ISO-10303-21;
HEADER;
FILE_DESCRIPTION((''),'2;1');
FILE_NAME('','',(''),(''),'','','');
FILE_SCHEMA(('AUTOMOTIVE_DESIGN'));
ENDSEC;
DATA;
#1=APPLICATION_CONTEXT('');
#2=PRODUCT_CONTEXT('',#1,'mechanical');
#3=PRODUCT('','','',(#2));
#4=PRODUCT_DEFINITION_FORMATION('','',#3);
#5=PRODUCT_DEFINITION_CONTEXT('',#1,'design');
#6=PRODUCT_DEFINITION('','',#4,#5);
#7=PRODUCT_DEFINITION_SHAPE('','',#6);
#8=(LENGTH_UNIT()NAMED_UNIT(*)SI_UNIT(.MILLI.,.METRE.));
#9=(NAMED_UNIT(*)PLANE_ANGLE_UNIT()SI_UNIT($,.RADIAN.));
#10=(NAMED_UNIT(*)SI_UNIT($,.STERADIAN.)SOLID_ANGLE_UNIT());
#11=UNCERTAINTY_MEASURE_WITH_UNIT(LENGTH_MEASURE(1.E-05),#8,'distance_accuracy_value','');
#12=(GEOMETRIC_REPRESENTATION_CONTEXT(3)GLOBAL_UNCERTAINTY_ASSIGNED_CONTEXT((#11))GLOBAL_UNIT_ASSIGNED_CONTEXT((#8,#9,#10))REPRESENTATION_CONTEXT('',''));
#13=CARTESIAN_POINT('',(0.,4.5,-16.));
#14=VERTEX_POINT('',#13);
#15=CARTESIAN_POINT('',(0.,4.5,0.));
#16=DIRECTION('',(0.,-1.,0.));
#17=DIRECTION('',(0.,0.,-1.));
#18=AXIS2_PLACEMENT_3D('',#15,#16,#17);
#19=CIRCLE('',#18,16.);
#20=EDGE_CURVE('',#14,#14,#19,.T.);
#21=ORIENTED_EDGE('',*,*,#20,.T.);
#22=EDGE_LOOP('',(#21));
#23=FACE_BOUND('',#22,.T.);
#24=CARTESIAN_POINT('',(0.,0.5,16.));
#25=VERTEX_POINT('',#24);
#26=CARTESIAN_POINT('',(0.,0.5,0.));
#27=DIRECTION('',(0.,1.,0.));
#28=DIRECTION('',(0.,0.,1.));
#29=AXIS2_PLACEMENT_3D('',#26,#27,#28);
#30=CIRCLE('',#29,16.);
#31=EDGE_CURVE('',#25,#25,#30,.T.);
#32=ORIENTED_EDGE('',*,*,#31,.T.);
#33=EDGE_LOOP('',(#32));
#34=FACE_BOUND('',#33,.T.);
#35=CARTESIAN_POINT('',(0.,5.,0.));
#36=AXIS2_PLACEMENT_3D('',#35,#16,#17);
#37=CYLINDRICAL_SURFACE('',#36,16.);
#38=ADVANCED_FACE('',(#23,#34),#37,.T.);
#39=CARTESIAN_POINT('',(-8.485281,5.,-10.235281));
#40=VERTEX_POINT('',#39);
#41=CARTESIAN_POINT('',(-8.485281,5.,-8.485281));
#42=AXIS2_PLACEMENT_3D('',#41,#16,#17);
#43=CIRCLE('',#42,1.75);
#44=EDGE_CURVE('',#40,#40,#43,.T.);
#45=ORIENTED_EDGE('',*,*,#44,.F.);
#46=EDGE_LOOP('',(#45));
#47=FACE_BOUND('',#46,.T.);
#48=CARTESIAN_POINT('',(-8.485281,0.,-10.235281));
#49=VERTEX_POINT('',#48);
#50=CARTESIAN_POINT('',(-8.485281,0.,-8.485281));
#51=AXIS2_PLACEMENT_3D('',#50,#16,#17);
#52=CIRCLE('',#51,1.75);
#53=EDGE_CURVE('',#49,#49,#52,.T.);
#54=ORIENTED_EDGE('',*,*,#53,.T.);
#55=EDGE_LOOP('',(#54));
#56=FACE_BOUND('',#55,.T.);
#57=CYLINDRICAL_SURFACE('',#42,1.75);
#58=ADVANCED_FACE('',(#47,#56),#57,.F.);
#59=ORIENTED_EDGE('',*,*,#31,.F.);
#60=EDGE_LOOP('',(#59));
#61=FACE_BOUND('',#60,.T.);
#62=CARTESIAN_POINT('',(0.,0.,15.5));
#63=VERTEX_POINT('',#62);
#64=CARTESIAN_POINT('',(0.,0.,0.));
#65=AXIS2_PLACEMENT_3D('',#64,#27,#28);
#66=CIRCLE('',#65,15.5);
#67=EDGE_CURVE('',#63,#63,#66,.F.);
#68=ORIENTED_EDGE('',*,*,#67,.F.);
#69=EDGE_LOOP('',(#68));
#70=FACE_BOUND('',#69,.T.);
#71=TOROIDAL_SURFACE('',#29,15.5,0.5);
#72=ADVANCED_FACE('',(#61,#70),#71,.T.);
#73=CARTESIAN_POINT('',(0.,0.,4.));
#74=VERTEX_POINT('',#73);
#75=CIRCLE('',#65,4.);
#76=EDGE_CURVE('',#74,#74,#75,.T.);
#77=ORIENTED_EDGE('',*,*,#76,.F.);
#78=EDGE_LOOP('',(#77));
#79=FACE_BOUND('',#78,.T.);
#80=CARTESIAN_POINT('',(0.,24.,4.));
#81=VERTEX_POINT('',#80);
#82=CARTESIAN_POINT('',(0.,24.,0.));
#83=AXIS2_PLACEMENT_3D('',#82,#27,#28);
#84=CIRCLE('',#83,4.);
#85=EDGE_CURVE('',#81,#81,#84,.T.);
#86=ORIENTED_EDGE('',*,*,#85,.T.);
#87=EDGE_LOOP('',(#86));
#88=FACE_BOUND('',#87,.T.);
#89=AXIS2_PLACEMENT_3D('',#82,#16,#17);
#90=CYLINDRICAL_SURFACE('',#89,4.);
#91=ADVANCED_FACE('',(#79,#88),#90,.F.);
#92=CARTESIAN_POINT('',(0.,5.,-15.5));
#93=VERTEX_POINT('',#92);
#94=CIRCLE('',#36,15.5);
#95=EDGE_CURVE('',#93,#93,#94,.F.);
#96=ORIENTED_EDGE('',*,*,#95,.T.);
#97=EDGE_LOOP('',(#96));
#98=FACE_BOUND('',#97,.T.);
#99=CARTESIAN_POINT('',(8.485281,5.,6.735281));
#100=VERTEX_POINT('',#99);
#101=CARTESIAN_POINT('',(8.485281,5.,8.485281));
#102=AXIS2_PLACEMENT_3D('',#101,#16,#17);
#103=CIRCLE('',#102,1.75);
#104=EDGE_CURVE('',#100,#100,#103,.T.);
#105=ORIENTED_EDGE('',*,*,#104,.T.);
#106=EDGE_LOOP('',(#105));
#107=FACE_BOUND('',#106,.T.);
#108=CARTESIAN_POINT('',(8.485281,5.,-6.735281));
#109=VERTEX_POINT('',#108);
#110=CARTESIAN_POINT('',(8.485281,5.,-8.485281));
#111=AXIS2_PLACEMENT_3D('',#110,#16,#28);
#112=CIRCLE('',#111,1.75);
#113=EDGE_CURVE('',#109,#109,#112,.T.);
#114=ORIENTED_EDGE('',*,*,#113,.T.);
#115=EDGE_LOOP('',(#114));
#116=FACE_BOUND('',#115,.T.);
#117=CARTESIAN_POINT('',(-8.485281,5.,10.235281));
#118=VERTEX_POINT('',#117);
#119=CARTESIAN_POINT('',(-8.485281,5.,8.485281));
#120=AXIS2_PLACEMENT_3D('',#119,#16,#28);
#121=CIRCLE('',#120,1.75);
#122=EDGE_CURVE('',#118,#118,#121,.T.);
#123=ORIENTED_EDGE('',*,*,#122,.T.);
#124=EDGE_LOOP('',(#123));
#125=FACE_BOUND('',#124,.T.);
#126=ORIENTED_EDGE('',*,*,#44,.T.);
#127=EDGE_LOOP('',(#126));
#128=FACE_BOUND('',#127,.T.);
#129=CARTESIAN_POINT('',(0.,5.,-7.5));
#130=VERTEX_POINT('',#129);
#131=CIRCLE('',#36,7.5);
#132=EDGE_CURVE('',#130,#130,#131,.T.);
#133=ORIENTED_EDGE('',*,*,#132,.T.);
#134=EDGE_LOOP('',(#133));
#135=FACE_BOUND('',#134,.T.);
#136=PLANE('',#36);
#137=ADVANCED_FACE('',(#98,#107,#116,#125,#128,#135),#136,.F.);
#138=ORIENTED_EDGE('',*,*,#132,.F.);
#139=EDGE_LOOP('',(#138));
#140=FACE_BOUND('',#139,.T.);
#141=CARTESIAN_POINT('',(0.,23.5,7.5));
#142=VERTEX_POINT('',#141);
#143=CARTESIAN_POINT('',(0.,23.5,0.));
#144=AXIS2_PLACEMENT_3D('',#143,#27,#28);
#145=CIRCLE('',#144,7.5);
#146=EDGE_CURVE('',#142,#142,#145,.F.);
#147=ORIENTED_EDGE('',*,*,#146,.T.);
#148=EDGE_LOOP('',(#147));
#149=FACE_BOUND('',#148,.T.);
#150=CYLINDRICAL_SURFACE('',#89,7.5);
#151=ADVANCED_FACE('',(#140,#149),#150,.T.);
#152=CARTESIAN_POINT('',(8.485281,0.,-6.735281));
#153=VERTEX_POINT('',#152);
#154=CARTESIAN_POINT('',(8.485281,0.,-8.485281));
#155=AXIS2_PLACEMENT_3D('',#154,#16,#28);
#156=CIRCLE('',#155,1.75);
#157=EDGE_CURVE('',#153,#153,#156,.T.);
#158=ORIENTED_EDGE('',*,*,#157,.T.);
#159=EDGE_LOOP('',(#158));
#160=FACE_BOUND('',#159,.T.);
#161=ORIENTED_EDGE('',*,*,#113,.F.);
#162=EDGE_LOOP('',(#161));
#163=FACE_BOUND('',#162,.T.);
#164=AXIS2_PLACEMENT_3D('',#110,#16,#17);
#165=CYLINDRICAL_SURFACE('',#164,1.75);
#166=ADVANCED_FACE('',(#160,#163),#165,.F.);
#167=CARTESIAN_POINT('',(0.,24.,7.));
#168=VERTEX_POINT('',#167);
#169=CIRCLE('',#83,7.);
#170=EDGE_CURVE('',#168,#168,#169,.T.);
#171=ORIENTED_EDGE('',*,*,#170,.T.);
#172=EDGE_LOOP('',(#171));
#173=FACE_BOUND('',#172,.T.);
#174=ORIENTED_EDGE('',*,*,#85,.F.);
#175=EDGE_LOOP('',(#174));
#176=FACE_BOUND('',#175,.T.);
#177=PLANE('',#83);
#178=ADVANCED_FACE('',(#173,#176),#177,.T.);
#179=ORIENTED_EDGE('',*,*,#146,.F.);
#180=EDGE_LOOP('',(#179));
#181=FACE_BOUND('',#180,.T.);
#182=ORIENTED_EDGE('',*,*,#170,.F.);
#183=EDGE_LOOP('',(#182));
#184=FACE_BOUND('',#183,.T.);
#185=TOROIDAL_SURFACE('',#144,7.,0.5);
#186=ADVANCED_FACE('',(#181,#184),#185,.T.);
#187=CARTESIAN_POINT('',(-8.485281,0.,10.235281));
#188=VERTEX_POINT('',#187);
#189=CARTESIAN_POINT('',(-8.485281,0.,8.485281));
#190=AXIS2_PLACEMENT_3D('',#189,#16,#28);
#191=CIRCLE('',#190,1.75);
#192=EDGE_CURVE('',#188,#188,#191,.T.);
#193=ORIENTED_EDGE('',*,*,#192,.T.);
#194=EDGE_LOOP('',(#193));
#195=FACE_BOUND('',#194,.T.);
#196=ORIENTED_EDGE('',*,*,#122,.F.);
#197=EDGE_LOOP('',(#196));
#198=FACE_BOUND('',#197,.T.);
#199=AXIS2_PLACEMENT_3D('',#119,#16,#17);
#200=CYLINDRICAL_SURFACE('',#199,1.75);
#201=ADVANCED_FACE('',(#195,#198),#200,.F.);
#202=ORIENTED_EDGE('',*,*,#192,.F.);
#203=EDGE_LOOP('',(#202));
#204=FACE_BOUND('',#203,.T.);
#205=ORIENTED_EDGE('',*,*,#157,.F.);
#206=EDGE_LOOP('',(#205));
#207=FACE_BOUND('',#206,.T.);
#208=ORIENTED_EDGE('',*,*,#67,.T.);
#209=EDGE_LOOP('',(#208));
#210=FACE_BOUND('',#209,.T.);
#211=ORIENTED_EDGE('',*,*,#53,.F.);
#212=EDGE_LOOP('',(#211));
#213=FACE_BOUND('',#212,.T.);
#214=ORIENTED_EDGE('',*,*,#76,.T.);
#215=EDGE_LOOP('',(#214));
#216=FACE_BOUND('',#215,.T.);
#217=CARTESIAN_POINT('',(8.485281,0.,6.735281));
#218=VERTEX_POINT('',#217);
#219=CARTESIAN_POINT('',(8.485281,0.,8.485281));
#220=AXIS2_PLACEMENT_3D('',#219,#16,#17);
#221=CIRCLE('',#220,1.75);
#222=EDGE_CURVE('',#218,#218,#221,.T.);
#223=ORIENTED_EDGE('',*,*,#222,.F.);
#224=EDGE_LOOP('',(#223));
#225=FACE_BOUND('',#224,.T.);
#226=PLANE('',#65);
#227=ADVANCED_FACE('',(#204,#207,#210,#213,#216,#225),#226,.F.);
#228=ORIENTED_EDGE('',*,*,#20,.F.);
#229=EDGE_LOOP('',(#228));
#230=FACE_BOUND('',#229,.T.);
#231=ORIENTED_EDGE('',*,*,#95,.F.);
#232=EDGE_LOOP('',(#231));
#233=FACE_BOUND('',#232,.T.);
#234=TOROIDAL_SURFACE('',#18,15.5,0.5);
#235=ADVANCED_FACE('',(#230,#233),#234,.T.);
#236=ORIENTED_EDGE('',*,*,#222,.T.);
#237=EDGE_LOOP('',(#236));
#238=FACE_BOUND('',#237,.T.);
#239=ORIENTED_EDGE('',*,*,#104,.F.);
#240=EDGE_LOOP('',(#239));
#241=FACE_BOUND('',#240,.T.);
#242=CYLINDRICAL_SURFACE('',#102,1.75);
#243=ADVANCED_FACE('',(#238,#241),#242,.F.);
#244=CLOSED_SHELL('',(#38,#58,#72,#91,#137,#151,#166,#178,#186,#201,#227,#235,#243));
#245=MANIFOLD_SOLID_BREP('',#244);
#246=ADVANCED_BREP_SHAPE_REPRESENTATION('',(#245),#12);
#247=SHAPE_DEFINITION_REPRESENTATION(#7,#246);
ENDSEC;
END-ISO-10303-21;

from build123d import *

# Parameters (mm, degrees)
SKETCH1_R           = 7.5
SKETCH1_R_2         = 4
BOSS_EXTRUDE1_DEPTH = 24
SKETCH2_R           = 16
SKETCH2_R_2         = 1.75
SKETCH2_R_3         = 7.5
BOSS_EXTRUDE2_DEPTH = 5
FILLET2_R           = 0.5


with BuildPart() as part:
    # Sketch1 → Boss-Extrude1 (new body)
    with BuildSketch(Plane(origin=(0, 0, 0), x_dir=(1, 0, 0), z_dir=(0, 1, 0))):
        with Locations(Location((0, 0, 0), (0, 0, 270))):
            Circle(SKETCH1_R)
        with Locations(Location((0, 0, 0), (0, 0, 270))):
            Circle(SKETCH1_R_2, mode=Mode.SUBTRACT)
    extrude(amount=BOSS_EXTRUDE1_DEPTH)

    # Sketch2 → Boss-Extrude2 (add)
    with BuildSketch(Plane.XZ):
        with Locations(Location((0, 0, 0), (0, 0, 270))):
            Circle(SKETCH2_R)
        with Locations(Location((8.485281374, 8.485281374, 0), (0, 0, 270))):
            Circle(SKETCH2_R_2, mode=Mode.SUBTRACT)
        with Locations(Location((0, 0, 0), (0, 0, 270))):
            Circle(SKETCH2_R_3, mode=Mode.SUBTRACT)
        with Locations(Location((-8.485281374, 8.485281374, 0), (0, 0, 90))):
            Circle(SKETCH2_R_2, mode=Mode.SUBTRACT)
        with Locations(Location((-8.485281374, -8.485281374, 0), (0, 0, 270))):
            Circle(SKETCH2_R_2, mode=Mode.SUBTRACT)
        with Locations(Location((8.485281374, -8.485281374, 0), (0, 0, 90))):
            Circle(SKETCH2_R_2, mode=Mode.SUBTRACT)
    extrude(amount=-BOSS_EXTRUDE2_DEPTH)

    # Fillet2
    fillet2_edges = [part.edges().sort_by_distance(p)[0] for p in [
        (0, 5, 16),
        (0, 0, 16),
        (0, 24, -7.5),
    ]]
    fillet(fillet2_edges, radius=FILLET2_R)


solid = part.part
